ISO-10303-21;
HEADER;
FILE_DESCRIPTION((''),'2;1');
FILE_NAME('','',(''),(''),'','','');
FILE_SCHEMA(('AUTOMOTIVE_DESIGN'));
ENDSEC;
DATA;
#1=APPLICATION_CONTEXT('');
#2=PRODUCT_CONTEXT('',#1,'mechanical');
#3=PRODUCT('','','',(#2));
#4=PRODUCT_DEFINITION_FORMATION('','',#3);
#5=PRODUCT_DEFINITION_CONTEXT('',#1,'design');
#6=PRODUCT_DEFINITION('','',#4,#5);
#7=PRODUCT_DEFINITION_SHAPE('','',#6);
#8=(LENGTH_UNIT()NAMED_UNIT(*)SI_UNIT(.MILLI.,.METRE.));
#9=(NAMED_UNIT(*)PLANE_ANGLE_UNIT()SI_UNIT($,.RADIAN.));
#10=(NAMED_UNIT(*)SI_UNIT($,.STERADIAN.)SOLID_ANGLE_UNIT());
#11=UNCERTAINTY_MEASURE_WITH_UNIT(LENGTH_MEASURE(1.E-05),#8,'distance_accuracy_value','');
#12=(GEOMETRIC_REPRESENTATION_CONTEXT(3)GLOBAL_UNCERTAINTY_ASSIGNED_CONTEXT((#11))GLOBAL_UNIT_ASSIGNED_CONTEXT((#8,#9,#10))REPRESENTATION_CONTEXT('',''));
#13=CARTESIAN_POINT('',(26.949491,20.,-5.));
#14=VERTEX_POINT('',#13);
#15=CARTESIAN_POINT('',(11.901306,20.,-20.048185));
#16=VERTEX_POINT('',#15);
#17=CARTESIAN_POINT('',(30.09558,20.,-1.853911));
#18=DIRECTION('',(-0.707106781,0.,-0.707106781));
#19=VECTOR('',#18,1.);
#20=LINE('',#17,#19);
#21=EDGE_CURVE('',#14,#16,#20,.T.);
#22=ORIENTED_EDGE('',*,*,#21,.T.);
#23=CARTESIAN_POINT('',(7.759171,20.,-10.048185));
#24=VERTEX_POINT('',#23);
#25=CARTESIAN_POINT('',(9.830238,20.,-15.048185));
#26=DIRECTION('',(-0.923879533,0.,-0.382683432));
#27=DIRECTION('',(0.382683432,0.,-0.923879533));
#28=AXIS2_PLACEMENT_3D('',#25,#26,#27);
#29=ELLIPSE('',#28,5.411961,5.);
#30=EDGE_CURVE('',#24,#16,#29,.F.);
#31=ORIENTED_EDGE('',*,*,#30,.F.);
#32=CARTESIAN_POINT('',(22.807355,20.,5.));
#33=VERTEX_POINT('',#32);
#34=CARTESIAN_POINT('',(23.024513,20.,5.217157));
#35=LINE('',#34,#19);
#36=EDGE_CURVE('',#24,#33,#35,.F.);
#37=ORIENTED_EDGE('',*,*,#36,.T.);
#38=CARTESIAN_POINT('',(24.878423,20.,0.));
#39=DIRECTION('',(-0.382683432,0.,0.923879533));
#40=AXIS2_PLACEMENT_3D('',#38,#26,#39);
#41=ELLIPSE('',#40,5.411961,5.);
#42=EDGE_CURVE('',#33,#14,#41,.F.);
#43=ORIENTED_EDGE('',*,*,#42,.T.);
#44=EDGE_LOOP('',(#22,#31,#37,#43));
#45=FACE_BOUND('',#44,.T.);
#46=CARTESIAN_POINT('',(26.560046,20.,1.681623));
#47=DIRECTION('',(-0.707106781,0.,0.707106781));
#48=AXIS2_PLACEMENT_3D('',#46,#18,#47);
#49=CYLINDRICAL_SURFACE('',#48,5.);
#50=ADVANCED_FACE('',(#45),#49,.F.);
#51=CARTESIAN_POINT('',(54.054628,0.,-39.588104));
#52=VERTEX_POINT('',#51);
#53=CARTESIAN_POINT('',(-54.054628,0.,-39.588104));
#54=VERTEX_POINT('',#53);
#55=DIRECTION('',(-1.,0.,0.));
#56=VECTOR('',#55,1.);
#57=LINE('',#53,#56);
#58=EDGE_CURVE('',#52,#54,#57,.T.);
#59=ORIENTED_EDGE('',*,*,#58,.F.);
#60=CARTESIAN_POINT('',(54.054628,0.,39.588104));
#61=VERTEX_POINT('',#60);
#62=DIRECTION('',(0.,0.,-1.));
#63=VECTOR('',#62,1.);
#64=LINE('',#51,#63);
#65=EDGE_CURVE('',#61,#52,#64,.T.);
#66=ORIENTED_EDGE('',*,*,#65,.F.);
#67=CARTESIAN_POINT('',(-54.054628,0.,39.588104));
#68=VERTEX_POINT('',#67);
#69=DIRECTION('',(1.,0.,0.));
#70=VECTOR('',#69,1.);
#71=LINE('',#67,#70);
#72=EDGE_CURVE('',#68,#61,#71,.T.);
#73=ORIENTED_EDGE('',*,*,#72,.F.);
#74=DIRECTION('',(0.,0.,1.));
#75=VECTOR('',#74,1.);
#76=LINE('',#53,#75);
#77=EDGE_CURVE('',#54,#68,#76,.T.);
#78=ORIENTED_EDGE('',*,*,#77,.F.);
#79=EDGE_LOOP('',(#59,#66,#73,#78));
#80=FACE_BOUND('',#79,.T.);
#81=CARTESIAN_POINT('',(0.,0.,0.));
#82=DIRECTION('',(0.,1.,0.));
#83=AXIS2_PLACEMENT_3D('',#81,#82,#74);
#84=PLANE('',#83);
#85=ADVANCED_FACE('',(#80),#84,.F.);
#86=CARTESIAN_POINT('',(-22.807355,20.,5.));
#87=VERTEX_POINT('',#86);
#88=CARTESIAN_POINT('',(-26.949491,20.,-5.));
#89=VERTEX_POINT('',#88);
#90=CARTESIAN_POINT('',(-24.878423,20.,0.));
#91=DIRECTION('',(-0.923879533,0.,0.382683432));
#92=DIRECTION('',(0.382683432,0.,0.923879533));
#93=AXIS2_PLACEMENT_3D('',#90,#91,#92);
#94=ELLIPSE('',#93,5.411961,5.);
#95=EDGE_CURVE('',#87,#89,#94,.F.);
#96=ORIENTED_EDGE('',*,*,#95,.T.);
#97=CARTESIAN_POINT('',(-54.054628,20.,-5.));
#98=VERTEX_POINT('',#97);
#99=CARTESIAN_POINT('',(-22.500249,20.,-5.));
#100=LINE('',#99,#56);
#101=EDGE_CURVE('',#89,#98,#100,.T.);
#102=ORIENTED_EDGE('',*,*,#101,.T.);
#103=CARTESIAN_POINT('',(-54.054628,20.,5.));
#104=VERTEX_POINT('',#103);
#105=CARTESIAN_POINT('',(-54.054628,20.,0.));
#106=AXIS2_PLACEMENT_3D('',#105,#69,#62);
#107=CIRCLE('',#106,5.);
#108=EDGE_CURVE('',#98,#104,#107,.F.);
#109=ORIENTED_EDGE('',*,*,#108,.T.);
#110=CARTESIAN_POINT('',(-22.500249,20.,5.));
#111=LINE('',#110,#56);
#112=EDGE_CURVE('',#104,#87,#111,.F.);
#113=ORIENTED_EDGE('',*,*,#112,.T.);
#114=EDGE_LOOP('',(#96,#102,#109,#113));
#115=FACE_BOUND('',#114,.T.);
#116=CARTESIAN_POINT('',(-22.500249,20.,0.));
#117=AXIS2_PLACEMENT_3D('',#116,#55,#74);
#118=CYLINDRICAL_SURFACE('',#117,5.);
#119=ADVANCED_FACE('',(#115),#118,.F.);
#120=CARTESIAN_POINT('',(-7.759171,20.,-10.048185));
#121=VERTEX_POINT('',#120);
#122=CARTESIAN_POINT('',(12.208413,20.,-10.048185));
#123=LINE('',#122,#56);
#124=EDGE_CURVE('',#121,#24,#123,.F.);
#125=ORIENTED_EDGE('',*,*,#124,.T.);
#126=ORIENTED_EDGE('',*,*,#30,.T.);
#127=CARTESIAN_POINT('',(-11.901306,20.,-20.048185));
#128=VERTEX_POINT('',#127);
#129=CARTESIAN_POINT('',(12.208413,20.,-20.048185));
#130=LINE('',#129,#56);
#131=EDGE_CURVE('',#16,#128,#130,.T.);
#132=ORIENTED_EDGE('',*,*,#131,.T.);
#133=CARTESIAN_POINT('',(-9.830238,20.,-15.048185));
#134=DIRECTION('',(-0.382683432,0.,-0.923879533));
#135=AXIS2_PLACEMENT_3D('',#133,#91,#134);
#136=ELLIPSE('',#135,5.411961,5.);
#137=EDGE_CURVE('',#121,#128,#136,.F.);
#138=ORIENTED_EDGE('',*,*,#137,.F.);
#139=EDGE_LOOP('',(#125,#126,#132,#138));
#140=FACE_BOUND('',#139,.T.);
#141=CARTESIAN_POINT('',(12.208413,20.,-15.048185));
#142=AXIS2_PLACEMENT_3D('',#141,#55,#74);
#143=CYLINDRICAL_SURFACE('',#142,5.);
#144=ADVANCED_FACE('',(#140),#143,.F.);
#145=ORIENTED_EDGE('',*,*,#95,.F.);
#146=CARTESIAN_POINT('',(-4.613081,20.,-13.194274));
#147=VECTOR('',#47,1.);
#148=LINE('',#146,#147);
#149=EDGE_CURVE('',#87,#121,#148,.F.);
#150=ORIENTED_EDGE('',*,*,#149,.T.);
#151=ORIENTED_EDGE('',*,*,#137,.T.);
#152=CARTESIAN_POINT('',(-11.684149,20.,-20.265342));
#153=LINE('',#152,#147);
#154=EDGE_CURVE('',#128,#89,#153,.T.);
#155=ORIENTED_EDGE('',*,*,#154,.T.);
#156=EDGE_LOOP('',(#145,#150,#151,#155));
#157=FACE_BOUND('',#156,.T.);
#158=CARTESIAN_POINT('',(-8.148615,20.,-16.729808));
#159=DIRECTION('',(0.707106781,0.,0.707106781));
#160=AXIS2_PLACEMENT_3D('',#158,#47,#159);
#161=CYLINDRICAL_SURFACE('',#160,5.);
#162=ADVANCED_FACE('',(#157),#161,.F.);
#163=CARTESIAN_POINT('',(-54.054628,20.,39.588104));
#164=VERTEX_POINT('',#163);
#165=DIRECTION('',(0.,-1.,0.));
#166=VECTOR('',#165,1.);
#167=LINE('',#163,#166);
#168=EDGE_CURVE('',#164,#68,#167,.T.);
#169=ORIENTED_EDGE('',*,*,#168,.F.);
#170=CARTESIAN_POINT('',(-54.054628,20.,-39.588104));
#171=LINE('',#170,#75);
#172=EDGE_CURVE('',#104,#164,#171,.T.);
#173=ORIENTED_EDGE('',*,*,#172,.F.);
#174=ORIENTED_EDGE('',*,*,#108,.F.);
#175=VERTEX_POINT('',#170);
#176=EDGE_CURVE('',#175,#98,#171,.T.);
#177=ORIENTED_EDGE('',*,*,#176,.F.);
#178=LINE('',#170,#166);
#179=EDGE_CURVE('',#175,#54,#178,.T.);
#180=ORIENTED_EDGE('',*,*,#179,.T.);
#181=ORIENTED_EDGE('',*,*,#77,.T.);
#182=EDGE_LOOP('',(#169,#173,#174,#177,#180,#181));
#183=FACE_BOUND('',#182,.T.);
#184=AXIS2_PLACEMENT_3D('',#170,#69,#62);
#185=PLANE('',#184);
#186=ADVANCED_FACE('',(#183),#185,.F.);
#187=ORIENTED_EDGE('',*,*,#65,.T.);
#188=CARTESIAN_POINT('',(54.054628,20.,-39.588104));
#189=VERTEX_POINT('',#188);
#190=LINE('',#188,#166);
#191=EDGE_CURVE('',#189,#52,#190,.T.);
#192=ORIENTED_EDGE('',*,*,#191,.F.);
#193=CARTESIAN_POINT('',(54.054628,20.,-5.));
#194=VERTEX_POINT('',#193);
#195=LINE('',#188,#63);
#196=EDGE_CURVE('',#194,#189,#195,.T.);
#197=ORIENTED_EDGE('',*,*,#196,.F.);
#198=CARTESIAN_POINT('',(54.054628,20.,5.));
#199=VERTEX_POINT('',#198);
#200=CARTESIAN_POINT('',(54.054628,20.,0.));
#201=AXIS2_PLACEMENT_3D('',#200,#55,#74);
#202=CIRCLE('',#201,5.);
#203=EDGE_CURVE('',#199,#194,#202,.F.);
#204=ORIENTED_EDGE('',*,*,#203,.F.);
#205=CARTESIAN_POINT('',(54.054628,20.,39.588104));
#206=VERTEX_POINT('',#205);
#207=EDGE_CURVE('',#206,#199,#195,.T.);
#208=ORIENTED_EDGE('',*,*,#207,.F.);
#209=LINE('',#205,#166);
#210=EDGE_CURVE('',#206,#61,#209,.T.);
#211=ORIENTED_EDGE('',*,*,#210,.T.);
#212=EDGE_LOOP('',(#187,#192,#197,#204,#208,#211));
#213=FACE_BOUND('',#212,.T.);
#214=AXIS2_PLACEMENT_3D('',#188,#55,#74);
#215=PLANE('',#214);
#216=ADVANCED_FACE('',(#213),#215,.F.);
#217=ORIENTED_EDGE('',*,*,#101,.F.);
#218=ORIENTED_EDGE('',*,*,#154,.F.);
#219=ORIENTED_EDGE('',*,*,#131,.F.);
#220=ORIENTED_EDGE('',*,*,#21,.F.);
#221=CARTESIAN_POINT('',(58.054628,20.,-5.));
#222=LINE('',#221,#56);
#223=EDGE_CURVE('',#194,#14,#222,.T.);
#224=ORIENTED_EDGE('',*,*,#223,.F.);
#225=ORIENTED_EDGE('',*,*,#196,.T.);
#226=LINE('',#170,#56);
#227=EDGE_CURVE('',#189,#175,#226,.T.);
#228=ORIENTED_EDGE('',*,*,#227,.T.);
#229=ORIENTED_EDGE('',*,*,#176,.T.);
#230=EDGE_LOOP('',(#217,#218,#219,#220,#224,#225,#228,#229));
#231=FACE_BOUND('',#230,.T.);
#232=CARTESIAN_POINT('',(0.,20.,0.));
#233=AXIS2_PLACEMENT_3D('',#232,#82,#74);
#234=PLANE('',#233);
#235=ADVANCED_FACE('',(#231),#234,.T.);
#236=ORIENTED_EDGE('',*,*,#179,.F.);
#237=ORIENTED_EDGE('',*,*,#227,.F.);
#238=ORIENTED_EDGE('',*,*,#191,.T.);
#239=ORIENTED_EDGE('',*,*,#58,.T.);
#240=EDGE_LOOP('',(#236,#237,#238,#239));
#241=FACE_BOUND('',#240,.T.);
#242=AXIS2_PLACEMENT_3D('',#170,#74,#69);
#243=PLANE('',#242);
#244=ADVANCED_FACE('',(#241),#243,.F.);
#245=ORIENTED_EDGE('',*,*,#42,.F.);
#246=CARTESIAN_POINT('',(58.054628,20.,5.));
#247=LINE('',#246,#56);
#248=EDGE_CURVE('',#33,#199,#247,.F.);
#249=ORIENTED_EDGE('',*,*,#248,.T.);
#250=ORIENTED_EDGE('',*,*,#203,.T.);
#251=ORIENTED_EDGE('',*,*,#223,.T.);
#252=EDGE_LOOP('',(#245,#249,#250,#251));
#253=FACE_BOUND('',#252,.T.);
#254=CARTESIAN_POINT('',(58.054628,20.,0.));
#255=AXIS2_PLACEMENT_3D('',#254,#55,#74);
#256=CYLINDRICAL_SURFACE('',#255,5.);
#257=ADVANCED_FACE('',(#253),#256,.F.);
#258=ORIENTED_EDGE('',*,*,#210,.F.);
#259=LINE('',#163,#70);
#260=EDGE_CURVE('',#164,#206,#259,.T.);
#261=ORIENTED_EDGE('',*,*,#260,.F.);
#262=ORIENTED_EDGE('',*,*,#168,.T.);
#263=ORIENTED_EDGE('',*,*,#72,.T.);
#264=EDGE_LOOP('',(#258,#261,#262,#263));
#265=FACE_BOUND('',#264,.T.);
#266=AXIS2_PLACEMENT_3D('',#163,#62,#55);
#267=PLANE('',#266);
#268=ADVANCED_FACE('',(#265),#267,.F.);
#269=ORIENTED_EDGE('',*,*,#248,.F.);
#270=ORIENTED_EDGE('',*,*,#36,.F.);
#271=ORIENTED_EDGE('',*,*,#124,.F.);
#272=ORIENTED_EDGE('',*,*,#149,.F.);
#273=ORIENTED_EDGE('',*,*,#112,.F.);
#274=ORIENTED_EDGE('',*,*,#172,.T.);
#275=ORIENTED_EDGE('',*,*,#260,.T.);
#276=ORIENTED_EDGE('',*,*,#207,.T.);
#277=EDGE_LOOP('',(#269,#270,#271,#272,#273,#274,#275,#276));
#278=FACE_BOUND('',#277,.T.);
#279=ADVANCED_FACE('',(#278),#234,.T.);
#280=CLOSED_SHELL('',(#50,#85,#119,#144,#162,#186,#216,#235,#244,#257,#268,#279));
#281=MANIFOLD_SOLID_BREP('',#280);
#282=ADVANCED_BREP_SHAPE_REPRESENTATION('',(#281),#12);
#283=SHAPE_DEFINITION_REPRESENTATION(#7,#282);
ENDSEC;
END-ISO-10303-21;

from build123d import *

# Parameters (mm, degrees)
SKETCH1_W            = 108.10925528
SKETCH1_H            = 79.176207514
BOSS_EXTRUDE1_DEPTH  = 20
CUT_SWEEP1_PROFILE_R = 5


with BuildPart() as part:
    # Sketch1 → Boss-Extrude1 (new body)
    with BuildSketch(Plane(origin=(0, 0, 0), x_dir=(1, 0, 0), z_dir=(0, 1, 0))):
        Rectangle(SKETCH1_W, SKETCH1_H)
    extrude(amount=BOSS_EXTRUDE1_DEPTH)

    # Cut-Sweep1: sweep along a path in Sketch2
    with BuildLine(Plane(origin=(0, 20, 0), x_dir=(1, 0, 0), z_dir=(0, 1, 0))) as cut_sweep1_path:
        Line((-54.05462764, 0), (-24.878423118, 0))
        Line((-24.878423118, 0), (-9.830238348, 15.04818477))
        Line((-9.830238348, 15.04818477), (9.830238348, 15.04818477))
        Line((9.830238348, 15.04818477), (24.878423118, 0))
        Line((24.878423118, 0), (54.05462764, 0))
    # Cut-Sweep1 profile (on start of the path) → Cut-Sweep1 (sweep, cut)
    with BuildSketch(Plane(origin=(-54.05462764, 20, 0), x_dir=(0, 0, 1), z_dir=(1, 0, 0))):
        Circle(CUT_SWEEP1_PROFILE_R)
    sweep(path=cut_sweep1_path.line, transition=Transition.RIGHT, mode=Mode.SUBTRACT)


solid = part.part
